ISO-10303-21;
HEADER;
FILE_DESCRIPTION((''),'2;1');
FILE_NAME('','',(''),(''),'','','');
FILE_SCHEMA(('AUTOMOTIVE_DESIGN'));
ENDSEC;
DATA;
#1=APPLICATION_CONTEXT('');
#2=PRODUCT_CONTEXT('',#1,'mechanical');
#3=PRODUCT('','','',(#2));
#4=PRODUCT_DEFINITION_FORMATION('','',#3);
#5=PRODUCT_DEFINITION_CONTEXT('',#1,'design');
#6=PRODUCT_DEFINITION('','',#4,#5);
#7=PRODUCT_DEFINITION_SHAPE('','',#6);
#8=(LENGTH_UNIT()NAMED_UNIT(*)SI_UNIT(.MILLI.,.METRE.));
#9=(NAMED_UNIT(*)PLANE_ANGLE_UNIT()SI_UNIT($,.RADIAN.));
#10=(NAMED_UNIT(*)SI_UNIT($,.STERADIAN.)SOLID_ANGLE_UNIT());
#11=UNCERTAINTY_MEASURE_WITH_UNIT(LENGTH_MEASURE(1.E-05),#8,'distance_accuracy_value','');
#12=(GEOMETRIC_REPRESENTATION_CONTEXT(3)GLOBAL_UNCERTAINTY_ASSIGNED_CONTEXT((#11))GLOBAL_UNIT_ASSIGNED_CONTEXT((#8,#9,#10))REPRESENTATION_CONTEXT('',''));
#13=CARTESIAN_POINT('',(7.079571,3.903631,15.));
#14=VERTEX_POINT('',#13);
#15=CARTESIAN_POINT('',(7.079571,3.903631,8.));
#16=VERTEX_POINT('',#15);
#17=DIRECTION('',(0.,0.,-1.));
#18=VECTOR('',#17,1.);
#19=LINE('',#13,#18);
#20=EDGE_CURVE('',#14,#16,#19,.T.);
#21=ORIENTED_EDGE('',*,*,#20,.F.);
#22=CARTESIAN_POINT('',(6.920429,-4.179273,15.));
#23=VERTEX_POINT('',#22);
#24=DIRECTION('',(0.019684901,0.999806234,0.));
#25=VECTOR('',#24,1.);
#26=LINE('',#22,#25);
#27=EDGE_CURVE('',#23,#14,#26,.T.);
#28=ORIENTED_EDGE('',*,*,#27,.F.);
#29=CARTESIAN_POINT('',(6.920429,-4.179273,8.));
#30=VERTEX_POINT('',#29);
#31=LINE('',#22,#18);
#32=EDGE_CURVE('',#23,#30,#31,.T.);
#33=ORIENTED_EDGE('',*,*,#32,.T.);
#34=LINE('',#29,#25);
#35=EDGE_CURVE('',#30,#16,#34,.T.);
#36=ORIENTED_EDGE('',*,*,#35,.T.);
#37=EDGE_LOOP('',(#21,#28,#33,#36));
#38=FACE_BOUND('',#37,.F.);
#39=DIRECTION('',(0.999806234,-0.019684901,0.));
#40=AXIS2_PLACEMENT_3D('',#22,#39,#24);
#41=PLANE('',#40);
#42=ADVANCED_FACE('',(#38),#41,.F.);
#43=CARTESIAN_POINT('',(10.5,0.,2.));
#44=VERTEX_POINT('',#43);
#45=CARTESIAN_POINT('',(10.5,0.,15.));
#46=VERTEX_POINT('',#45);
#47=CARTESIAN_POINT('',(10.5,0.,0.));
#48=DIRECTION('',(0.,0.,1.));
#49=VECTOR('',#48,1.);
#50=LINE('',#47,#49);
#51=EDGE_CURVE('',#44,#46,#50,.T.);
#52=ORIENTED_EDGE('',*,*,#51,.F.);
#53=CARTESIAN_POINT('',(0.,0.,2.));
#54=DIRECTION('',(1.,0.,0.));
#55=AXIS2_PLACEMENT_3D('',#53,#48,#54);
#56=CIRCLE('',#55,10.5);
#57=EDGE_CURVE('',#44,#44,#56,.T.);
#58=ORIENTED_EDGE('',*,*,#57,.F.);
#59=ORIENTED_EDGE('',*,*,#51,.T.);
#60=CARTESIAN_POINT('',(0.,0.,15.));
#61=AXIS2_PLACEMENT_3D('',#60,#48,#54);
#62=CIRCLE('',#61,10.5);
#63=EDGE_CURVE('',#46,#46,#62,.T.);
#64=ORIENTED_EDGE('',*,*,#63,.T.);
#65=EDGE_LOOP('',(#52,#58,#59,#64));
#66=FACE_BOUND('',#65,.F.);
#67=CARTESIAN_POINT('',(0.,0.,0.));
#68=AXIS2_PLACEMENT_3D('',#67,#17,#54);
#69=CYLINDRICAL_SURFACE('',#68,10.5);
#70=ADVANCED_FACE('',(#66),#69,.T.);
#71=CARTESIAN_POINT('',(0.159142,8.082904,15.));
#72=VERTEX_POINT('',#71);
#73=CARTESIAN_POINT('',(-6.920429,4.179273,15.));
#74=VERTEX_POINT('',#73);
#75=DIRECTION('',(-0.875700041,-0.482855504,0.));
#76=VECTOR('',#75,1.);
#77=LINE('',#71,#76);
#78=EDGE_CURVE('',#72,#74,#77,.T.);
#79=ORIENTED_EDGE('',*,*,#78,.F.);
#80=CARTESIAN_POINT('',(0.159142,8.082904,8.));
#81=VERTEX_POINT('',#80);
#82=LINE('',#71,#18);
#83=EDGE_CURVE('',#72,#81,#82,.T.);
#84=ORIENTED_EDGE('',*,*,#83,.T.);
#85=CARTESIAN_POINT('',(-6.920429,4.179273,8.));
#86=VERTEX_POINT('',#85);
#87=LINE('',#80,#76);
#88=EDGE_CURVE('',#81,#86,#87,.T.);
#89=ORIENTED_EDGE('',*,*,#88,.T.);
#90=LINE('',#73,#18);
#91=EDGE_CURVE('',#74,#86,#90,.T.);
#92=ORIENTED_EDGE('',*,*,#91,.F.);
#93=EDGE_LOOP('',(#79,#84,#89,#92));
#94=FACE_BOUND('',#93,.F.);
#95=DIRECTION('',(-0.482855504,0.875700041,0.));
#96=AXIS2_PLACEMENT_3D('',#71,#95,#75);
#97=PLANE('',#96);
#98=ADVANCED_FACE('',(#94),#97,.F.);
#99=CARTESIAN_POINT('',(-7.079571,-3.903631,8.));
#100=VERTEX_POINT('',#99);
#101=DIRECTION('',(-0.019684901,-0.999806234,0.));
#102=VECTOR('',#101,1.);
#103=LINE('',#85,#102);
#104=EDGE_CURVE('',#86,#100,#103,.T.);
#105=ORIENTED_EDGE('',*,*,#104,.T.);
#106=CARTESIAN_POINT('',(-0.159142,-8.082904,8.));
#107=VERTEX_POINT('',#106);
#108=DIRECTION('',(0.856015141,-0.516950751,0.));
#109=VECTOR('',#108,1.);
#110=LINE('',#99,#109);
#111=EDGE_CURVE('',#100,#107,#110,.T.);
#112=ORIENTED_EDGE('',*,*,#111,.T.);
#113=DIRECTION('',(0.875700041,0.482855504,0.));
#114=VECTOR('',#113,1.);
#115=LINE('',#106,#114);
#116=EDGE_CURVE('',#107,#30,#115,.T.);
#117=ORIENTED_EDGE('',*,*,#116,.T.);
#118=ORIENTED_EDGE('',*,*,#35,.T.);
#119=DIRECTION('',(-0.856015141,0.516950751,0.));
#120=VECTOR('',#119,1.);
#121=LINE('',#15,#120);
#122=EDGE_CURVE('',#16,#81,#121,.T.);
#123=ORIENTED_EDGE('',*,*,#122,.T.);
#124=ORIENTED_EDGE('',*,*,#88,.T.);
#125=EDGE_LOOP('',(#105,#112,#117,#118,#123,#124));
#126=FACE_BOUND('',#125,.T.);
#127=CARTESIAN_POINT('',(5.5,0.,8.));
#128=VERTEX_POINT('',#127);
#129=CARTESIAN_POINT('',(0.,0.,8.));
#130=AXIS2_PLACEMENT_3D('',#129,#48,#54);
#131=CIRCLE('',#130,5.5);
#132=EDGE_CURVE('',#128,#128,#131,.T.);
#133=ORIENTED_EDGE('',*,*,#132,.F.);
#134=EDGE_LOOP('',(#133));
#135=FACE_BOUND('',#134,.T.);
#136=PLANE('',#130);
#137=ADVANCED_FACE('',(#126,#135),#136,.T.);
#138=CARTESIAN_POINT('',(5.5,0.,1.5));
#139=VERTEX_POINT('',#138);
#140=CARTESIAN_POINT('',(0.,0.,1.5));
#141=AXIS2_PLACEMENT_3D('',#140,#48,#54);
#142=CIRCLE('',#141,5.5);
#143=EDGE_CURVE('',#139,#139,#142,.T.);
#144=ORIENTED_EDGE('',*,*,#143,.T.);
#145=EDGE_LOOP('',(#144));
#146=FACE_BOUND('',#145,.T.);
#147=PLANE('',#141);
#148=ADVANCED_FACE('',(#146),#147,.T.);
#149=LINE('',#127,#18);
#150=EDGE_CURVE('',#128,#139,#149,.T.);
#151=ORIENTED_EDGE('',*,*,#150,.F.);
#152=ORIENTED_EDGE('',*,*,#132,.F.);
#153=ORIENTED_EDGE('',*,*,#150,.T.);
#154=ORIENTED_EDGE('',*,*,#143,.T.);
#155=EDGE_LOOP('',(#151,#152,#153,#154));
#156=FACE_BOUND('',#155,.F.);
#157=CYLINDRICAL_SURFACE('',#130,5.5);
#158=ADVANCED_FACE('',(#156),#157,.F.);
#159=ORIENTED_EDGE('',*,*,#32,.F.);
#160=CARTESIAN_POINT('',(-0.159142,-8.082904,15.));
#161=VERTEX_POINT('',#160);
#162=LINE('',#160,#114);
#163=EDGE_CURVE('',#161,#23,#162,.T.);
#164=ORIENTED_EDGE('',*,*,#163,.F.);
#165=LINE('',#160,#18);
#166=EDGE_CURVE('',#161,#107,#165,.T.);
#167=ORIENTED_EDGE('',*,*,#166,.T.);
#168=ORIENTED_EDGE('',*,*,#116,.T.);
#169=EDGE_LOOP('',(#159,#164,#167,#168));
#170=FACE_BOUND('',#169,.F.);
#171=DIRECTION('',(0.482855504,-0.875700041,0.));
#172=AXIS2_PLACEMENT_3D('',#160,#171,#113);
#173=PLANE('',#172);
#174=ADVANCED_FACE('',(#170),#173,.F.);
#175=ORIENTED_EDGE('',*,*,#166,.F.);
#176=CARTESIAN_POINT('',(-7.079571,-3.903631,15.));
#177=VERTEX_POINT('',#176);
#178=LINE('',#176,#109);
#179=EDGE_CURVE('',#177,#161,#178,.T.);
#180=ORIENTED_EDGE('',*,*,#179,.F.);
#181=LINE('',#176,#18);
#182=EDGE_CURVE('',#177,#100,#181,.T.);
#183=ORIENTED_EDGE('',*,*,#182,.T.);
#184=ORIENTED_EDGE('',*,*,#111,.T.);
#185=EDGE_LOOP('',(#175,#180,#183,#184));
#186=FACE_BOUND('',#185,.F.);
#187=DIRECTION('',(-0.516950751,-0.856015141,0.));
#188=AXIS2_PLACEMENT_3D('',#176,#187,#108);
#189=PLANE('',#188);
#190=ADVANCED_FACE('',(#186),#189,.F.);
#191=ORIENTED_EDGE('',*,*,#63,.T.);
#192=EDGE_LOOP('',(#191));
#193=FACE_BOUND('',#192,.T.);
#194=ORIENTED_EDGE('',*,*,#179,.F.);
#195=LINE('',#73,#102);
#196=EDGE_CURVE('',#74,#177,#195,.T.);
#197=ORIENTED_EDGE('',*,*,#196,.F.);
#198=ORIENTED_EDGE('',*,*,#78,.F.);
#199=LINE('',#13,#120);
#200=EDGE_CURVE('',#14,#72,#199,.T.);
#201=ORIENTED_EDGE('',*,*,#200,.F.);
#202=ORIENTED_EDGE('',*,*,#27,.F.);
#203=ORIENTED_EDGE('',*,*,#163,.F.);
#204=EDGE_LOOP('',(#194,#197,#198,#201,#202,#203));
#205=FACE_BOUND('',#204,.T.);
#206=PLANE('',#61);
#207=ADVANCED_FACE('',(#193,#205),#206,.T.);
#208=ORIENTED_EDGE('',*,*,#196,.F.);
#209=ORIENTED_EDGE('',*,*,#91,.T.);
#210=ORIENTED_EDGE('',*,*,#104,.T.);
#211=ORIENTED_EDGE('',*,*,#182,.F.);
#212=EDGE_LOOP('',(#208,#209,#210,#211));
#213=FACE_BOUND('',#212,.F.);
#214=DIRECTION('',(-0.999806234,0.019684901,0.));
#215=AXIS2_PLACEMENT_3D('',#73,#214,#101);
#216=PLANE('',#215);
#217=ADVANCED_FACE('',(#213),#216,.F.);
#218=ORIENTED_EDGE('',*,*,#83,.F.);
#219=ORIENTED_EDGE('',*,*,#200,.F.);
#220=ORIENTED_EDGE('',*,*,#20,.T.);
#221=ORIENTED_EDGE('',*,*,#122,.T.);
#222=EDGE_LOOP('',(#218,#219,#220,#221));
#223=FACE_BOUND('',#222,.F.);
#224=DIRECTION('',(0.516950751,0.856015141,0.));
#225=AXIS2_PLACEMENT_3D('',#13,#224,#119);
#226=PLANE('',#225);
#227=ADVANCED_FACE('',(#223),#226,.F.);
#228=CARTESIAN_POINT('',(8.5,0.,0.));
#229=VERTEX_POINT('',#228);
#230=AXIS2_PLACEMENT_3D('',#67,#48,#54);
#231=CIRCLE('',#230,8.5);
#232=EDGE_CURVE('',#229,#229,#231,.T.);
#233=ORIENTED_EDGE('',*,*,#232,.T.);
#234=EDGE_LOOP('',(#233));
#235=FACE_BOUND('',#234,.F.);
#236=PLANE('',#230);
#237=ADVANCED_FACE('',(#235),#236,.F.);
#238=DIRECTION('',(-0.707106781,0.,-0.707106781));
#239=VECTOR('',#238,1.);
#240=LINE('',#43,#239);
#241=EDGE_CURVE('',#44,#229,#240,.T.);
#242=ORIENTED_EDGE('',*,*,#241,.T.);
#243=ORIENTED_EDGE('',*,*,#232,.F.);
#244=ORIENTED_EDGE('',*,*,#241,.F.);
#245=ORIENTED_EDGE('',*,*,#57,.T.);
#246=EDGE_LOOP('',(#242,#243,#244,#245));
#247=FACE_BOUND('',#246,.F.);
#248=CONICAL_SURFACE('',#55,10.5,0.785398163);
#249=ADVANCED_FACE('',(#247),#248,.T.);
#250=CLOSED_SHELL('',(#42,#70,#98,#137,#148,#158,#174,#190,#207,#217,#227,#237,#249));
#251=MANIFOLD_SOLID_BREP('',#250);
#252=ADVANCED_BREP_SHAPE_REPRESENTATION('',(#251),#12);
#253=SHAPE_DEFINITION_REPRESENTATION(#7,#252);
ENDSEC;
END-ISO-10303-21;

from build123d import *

# Parameters (mm, degrees)
SKETCH_R        = 10.5
PAD_DEPTH       = 15
POCKET_DEPTH    = 7
SKETCH002_R     = 5.5
POCKET001_DEPTH = 6.5
CHAMFER_SIZE    = 2


with BuildPart() as part:
    # Sketch → Pad (new body)
    with BuildSketch(Plane.XY):
        Circle(SKETCH_R)
    extrude(amount=PAD_DEPTH)

    # Sketch001 (on Face3 of Pad) → Pocket (cut)
    with BuildSketch(Plane.XY.offset(15)):
        Polygon((6.920429, -4.179273), (7.079571, 3.903631), (0.159142, 8.082904), (-6.920429, 4.179273), (-7.079571, -3.903631), (-0.159142, -8.082904), align=None)
    extrude(amount=-POCKET_DEPTH, mode=Mode.SUBTRACT)

    # Sketch002 (on Face10 of Pocket) → Pocket001 (cut)
    with BuildSketch(Plane.XY.offset(8)):
        Circle(SKETCH002_R)
    extrude(amount=-POCKET001_DEPTH, mode=Mode.SUBTRACT)

    # Chamfer
    chamfer_edges = [part.edges().sort_by_distance(p)[0] for p in [
        (-10.5, 0, 0),
    ]]
    chamfer(chamfer_edges, length=CHAMFER_SIZE)


solid = part.part
